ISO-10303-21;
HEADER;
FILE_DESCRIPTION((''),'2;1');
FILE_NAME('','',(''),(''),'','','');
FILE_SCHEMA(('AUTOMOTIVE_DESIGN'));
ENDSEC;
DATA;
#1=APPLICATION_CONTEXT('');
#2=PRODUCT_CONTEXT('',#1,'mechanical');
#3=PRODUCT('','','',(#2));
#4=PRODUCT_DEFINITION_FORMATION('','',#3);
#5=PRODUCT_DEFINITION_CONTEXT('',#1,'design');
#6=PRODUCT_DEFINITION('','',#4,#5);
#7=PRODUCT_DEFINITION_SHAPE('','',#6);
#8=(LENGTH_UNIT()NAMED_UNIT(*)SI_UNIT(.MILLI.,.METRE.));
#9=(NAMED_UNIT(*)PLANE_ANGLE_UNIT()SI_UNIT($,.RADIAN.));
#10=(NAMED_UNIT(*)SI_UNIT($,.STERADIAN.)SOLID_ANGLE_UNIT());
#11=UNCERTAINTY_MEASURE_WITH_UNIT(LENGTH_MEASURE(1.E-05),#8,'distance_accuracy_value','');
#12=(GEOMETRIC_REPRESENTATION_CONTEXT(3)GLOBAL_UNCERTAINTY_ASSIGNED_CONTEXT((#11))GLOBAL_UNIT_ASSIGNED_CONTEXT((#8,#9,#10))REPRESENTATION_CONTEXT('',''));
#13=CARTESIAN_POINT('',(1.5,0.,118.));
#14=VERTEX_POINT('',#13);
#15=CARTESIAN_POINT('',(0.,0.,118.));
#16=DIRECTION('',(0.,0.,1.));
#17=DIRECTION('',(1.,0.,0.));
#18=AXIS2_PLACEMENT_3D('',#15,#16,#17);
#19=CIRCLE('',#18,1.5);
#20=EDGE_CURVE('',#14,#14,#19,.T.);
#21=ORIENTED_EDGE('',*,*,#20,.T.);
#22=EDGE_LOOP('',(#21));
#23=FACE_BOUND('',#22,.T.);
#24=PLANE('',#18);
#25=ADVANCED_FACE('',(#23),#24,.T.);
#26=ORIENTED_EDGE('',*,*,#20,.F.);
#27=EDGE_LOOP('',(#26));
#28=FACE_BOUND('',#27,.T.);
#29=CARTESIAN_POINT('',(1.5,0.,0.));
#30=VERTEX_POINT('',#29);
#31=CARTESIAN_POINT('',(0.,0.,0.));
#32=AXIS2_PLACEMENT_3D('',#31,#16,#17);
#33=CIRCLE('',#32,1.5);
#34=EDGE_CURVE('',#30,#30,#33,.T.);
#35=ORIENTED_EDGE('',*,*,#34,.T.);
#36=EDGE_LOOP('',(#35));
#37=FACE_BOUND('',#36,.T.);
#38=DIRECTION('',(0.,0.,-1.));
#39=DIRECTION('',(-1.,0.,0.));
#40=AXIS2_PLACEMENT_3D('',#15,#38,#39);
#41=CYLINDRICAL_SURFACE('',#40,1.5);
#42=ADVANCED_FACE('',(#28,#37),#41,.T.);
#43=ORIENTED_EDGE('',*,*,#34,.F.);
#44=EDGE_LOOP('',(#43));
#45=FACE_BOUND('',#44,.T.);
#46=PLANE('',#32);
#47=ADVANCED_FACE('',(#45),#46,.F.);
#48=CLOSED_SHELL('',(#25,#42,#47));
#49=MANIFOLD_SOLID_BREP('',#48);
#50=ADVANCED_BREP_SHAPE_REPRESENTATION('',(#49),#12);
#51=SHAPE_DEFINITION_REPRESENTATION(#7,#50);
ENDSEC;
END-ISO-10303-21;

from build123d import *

# Parameters (mm, degrees)
SKETCH2_R           = 1.5
BOSS_EXTRUDE1_DEPTH = 118


with BuildPart() as part:
    # Sketch2 → Boss-Extrude1 (new body)
    with BuildSketch(Plane.XY):
        Circle(SKETCH2_R)
    extrude(amount=BOSS_EXTRUDE1_DEPTH)


solid = part.part
